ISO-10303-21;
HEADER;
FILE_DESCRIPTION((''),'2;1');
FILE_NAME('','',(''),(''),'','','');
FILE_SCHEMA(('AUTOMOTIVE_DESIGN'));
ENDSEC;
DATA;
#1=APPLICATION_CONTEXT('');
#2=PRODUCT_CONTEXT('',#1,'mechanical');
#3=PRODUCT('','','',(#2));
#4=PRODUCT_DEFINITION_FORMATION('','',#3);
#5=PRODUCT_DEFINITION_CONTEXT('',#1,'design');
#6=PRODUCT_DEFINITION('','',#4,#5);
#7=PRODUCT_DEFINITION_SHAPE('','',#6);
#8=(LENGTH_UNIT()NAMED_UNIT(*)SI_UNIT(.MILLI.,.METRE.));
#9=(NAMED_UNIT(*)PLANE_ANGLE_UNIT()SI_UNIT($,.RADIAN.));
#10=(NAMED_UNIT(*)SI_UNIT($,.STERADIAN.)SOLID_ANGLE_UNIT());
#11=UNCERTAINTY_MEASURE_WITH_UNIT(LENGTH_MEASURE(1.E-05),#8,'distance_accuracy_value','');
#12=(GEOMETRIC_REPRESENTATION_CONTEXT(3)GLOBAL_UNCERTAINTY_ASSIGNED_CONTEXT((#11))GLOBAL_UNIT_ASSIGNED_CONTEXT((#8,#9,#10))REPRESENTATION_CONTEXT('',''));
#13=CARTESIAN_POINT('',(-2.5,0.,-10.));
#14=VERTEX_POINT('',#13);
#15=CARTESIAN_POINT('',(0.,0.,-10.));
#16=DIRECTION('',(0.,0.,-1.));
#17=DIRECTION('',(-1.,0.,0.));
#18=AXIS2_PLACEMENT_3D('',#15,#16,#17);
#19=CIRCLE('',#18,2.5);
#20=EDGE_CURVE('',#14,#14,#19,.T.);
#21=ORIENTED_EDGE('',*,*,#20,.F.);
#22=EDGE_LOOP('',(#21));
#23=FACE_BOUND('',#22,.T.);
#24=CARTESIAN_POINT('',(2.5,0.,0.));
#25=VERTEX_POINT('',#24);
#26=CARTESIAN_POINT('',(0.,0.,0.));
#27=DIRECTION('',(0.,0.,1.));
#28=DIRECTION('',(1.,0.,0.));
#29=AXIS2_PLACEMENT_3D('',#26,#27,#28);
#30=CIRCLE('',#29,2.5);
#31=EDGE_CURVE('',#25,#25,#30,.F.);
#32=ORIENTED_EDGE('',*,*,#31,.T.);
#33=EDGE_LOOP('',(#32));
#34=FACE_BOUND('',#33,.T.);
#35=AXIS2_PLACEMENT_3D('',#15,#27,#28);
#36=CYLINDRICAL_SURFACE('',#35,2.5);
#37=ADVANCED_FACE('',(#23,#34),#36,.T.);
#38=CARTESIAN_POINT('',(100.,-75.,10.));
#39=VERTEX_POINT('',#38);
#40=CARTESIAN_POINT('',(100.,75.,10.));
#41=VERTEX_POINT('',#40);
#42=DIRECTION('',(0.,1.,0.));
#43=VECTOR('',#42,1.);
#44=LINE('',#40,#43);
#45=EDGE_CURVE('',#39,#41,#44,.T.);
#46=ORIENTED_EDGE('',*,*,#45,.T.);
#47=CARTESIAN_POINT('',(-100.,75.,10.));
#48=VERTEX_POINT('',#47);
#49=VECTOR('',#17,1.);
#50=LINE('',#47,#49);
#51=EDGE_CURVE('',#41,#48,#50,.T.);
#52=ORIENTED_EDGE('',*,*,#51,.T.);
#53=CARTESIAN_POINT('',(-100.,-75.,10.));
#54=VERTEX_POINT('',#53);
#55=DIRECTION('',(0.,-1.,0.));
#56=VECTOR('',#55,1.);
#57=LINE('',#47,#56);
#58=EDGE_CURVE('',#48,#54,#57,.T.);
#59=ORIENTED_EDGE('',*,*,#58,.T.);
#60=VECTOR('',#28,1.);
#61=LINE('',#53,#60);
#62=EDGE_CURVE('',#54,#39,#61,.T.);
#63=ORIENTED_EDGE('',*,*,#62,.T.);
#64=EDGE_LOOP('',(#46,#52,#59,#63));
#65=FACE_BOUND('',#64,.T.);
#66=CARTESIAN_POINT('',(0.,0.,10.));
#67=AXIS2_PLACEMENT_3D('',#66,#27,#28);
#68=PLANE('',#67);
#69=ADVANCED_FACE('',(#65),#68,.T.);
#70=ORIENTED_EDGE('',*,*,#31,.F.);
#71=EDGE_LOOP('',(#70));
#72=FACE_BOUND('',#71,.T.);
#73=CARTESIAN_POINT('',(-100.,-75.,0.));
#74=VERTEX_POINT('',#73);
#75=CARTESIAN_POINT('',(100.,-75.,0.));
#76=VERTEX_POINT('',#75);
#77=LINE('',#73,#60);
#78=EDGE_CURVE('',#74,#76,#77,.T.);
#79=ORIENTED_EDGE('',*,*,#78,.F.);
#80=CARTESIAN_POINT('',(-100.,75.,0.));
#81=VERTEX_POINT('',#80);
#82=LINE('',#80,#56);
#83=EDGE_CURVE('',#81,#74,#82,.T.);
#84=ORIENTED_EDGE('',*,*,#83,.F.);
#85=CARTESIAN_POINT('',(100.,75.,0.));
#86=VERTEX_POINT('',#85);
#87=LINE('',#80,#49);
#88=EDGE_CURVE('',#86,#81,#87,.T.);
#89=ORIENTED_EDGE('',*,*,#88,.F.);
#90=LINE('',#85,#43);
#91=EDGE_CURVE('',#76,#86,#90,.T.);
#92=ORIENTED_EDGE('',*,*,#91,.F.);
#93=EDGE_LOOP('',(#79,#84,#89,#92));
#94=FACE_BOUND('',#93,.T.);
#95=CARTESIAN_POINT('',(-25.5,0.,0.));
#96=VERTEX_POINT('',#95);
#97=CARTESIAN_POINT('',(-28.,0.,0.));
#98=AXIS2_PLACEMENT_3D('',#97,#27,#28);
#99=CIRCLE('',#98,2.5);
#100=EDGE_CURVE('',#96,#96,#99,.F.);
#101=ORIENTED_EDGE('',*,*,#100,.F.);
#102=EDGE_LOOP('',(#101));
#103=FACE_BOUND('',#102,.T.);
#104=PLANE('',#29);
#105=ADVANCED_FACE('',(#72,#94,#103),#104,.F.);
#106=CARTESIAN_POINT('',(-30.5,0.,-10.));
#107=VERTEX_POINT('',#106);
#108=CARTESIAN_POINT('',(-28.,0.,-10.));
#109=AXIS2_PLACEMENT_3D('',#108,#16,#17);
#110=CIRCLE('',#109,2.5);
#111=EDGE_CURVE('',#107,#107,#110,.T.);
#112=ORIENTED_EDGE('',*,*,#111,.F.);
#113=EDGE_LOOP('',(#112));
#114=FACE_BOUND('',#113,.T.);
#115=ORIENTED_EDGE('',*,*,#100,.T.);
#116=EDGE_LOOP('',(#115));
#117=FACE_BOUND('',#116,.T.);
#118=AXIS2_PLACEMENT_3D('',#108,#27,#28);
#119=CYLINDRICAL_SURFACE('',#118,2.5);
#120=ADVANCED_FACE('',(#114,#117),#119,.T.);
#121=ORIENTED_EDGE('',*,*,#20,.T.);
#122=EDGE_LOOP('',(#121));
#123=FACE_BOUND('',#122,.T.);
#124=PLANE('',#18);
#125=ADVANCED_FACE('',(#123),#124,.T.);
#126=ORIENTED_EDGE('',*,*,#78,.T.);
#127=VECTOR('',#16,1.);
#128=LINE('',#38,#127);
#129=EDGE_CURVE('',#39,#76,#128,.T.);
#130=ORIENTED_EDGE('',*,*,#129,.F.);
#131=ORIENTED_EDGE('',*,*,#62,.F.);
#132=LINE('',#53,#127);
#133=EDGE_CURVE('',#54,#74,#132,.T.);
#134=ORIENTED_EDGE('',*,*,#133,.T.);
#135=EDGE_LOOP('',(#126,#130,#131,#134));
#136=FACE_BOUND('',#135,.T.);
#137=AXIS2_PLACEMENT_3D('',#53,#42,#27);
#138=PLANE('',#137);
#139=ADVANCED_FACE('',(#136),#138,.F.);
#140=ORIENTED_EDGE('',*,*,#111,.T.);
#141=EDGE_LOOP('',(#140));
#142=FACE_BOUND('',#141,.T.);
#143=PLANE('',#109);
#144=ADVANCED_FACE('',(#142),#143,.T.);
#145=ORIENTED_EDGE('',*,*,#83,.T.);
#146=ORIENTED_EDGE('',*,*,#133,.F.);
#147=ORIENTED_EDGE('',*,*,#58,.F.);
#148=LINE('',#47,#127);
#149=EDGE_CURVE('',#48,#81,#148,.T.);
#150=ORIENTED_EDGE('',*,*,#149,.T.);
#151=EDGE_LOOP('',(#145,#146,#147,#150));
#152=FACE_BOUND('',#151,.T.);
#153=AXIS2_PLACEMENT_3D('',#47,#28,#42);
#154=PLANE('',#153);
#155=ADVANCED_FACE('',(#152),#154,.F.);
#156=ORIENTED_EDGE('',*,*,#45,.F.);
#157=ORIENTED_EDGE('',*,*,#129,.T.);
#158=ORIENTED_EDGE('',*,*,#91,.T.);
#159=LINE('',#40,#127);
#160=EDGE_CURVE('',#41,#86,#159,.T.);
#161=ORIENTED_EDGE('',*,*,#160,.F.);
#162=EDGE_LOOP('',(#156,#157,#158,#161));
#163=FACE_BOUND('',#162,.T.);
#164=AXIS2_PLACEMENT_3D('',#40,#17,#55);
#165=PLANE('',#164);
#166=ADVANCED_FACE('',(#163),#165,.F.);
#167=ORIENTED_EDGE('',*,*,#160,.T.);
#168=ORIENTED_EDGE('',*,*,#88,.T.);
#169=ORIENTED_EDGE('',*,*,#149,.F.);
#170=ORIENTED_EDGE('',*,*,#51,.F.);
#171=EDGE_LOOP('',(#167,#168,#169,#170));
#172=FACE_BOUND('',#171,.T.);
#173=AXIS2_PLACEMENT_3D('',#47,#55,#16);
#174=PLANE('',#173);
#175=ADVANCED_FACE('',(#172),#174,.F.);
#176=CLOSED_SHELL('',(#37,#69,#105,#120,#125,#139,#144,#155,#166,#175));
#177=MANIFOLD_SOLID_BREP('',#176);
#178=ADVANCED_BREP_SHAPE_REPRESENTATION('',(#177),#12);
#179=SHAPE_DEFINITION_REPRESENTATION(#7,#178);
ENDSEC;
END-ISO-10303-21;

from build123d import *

# Parameters (mm, degrees)
SKIZZE1_W                       = 200
SKIZZE1_H                       = 150
AUFSATZ_LINEAR_AUSTRAGEN1_DEPTH = 10
SKIZZE2_R                       = 2.5
AUFSATZ_LINEAR_AUSTRAGEN2_DEPTH = 10


with BuildPart() as part:
    # Skizze1 → Aufsatz-Linear austragen1 (new body)
    with BuildSketch(Plane.XY):
        Rectangle(SKIZZE1_W, SKIZZE1_H)
    extrude(amount=AUFSATZ_LINEAR_AUSTRAGEN1_DEPTH)

    # Skizze2 → Aufsatz-Linear austragen2 (add)
    with BuildSketch(Plane(origin=(0, 0, 0), x_dir=(-1, 0, 0), z_dir=(0, 0, -1))):
        with Locations(Location((0, 0, 0), (0, 0, 180))):
            Circle(SKIZZE2_R)
        with Locations(Location((28, 0, 0), (0, 0, 180))):
            Circle(SKIZZE2_R)
    extrude(amount=AUFSATZ_LINEAR_AUSTRAGEN2_DEPTH)


solid = part.part
